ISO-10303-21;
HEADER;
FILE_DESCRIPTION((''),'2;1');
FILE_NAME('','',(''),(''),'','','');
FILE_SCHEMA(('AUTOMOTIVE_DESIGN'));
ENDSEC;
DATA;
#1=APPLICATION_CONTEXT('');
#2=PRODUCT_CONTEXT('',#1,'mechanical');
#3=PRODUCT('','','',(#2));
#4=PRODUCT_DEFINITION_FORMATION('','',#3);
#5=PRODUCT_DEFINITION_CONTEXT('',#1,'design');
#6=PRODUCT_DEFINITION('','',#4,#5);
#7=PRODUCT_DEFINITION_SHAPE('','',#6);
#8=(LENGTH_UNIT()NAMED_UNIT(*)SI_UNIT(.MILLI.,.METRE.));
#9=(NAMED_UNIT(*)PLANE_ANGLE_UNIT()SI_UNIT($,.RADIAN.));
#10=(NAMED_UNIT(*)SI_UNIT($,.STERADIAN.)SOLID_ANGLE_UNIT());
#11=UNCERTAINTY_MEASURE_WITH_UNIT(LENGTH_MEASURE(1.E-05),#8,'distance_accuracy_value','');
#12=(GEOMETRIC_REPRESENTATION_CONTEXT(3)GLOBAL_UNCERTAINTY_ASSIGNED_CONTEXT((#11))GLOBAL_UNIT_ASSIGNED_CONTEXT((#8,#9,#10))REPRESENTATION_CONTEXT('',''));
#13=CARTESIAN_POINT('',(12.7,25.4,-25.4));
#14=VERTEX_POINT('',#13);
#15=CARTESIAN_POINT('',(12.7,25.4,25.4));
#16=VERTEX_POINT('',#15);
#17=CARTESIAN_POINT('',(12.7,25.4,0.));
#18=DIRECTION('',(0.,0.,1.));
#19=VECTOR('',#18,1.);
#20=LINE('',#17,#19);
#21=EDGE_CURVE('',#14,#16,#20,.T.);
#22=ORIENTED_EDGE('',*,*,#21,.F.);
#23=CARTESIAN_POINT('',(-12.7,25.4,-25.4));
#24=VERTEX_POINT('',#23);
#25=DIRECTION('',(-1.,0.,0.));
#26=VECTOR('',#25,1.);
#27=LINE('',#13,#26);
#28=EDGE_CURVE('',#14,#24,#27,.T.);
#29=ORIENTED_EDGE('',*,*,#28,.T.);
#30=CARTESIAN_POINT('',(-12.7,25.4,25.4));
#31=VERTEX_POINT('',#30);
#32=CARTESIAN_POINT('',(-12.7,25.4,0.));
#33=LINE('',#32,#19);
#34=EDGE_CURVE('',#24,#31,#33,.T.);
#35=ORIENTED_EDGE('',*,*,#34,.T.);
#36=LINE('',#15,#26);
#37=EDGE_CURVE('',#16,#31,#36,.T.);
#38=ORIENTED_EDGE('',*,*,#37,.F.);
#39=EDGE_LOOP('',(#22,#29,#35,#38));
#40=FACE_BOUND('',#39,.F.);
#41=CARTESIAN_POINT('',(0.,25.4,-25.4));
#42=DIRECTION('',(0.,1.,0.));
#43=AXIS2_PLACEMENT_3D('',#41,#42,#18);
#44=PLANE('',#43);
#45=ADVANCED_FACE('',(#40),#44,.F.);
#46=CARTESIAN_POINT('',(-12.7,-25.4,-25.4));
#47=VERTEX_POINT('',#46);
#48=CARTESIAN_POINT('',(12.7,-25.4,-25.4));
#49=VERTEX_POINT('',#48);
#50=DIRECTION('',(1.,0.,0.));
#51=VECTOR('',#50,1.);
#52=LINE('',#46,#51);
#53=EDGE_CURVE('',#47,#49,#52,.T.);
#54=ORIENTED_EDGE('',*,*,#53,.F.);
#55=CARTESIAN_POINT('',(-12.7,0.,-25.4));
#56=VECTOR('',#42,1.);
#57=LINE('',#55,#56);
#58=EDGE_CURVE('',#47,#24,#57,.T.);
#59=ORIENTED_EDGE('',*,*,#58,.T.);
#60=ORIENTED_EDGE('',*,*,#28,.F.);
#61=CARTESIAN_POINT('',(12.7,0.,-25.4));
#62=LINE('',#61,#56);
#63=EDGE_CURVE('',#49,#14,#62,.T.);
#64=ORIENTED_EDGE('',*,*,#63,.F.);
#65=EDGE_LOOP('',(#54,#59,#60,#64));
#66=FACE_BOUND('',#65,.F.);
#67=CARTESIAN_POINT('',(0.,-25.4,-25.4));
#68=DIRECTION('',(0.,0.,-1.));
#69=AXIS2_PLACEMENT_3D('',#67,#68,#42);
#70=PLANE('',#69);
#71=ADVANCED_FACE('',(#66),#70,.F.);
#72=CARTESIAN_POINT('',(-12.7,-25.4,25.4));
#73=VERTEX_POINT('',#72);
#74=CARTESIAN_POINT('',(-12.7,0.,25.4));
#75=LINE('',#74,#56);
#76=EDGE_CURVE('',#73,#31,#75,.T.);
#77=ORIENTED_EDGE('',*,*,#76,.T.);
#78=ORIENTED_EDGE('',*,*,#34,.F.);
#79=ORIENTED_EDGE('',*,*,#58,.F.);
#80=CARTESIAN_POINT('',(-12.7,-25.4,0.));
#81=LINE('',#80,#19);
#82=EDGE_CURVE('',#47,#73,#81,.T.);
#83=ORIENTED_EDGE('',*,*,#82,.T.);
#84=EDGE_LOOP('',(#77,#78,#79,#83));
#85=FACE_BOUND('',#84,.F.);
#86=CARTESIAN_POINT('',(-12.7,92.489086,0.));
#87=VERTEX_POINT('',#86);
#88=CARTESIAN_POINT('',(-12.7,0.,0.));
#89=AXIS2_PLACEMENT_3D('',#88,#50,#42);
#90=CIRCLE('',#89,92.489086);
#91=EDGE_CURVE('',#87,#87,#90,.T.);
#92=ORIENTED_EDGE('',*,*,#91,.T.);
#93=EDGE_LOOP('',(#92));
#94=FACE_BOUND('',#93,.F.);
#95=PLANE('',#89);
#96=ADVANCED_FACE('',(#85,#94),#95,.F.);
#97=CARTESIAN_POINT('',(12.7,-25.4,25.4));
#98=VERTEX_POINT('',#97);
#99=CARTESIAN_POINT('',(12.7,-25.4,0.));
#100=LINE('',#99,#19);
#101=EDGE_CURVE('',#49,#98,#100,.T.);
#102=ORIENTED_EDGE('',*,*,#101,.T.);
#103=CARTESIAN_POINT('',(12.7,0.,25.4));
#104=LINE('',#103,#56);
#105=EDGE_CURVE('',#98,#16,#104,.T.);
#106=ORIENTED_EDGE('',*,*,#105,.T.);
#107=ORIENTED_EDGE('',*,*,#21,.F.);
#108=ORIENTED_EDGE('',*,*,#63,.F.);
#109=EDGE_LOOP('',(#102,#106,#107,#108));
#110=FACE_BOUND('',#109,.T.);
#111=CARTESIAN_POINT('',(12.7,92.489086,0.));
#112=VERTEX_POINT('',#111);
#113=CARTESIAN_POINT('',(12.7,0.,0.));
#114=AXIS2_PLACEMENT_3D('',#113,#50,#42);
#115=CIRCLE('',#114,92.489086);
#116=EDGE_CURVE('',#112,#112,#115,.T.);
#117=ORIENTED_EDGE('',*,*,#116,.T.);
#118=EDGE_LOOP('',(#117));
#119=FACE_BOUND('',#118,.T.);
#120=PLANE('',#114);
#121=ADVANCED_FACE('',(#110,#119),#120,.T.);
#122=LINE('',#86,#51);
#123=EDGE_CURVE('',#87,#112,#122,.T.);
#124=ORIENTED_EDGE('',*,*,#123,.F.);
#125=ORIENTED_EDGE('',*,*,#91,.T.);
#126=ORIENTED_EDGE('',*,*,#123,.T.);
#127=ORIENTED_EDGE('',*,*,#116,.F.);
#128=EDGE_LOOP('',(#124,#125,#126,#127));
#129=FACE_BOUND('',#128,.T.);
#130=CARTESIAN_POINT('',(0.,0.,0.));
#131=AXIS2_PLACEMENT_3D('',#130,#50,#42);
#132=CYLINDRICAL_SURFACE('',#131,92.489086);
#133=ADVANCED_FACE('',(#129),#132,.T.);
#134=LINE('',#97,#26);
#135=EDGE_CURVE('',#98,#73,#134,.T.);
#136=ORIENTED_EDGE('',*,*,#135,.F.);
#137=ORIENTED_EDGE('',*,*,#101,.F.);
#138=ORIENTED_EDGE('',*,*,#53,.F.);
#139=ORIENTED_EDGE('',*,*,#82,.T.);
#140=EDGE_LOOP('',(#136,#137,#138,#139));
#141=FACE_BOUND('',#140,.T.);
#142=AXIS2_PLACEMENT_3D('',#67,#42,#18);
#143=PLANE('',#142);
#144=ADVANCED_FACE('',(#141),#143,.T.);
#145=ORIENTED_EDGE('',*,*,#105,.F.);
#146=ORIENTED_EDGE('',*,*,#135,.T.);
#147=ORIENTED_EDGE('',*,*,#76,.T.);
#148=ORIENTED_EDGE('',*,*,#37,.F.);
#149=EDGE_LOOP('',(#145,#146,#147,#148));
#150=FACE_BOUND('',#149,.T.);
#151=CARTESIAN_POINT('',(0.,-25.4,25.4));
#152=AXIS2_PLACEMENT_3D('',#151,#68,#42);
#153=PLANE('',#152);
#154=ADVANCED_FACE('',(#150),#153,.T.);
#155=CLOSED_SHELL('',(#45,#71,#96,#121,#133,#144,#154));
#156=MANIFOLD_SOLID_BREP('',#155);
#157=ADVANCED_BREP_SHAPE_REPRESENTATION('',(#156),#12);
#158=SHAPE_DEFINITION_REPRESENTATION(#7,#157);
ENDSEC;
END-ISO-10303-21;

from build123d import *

# Parameters (mm, degrees)
F0_R     = 92.489086
F0_W     = 50.8
F0_H     = 50.8
F1_DEPTH = 12.7


with BuildPart() as f1:
    # F0 (on Right) → F1 (new body, symmetric)
    with BuildSketch(Plane.YZ):
        Circle(F0_R)
        Rectangle(F0_W, F0_H, mode=Mode.SUBTRACT)
    extrude(amount=F1_DEPTH, both=True)


solid = f1.part
